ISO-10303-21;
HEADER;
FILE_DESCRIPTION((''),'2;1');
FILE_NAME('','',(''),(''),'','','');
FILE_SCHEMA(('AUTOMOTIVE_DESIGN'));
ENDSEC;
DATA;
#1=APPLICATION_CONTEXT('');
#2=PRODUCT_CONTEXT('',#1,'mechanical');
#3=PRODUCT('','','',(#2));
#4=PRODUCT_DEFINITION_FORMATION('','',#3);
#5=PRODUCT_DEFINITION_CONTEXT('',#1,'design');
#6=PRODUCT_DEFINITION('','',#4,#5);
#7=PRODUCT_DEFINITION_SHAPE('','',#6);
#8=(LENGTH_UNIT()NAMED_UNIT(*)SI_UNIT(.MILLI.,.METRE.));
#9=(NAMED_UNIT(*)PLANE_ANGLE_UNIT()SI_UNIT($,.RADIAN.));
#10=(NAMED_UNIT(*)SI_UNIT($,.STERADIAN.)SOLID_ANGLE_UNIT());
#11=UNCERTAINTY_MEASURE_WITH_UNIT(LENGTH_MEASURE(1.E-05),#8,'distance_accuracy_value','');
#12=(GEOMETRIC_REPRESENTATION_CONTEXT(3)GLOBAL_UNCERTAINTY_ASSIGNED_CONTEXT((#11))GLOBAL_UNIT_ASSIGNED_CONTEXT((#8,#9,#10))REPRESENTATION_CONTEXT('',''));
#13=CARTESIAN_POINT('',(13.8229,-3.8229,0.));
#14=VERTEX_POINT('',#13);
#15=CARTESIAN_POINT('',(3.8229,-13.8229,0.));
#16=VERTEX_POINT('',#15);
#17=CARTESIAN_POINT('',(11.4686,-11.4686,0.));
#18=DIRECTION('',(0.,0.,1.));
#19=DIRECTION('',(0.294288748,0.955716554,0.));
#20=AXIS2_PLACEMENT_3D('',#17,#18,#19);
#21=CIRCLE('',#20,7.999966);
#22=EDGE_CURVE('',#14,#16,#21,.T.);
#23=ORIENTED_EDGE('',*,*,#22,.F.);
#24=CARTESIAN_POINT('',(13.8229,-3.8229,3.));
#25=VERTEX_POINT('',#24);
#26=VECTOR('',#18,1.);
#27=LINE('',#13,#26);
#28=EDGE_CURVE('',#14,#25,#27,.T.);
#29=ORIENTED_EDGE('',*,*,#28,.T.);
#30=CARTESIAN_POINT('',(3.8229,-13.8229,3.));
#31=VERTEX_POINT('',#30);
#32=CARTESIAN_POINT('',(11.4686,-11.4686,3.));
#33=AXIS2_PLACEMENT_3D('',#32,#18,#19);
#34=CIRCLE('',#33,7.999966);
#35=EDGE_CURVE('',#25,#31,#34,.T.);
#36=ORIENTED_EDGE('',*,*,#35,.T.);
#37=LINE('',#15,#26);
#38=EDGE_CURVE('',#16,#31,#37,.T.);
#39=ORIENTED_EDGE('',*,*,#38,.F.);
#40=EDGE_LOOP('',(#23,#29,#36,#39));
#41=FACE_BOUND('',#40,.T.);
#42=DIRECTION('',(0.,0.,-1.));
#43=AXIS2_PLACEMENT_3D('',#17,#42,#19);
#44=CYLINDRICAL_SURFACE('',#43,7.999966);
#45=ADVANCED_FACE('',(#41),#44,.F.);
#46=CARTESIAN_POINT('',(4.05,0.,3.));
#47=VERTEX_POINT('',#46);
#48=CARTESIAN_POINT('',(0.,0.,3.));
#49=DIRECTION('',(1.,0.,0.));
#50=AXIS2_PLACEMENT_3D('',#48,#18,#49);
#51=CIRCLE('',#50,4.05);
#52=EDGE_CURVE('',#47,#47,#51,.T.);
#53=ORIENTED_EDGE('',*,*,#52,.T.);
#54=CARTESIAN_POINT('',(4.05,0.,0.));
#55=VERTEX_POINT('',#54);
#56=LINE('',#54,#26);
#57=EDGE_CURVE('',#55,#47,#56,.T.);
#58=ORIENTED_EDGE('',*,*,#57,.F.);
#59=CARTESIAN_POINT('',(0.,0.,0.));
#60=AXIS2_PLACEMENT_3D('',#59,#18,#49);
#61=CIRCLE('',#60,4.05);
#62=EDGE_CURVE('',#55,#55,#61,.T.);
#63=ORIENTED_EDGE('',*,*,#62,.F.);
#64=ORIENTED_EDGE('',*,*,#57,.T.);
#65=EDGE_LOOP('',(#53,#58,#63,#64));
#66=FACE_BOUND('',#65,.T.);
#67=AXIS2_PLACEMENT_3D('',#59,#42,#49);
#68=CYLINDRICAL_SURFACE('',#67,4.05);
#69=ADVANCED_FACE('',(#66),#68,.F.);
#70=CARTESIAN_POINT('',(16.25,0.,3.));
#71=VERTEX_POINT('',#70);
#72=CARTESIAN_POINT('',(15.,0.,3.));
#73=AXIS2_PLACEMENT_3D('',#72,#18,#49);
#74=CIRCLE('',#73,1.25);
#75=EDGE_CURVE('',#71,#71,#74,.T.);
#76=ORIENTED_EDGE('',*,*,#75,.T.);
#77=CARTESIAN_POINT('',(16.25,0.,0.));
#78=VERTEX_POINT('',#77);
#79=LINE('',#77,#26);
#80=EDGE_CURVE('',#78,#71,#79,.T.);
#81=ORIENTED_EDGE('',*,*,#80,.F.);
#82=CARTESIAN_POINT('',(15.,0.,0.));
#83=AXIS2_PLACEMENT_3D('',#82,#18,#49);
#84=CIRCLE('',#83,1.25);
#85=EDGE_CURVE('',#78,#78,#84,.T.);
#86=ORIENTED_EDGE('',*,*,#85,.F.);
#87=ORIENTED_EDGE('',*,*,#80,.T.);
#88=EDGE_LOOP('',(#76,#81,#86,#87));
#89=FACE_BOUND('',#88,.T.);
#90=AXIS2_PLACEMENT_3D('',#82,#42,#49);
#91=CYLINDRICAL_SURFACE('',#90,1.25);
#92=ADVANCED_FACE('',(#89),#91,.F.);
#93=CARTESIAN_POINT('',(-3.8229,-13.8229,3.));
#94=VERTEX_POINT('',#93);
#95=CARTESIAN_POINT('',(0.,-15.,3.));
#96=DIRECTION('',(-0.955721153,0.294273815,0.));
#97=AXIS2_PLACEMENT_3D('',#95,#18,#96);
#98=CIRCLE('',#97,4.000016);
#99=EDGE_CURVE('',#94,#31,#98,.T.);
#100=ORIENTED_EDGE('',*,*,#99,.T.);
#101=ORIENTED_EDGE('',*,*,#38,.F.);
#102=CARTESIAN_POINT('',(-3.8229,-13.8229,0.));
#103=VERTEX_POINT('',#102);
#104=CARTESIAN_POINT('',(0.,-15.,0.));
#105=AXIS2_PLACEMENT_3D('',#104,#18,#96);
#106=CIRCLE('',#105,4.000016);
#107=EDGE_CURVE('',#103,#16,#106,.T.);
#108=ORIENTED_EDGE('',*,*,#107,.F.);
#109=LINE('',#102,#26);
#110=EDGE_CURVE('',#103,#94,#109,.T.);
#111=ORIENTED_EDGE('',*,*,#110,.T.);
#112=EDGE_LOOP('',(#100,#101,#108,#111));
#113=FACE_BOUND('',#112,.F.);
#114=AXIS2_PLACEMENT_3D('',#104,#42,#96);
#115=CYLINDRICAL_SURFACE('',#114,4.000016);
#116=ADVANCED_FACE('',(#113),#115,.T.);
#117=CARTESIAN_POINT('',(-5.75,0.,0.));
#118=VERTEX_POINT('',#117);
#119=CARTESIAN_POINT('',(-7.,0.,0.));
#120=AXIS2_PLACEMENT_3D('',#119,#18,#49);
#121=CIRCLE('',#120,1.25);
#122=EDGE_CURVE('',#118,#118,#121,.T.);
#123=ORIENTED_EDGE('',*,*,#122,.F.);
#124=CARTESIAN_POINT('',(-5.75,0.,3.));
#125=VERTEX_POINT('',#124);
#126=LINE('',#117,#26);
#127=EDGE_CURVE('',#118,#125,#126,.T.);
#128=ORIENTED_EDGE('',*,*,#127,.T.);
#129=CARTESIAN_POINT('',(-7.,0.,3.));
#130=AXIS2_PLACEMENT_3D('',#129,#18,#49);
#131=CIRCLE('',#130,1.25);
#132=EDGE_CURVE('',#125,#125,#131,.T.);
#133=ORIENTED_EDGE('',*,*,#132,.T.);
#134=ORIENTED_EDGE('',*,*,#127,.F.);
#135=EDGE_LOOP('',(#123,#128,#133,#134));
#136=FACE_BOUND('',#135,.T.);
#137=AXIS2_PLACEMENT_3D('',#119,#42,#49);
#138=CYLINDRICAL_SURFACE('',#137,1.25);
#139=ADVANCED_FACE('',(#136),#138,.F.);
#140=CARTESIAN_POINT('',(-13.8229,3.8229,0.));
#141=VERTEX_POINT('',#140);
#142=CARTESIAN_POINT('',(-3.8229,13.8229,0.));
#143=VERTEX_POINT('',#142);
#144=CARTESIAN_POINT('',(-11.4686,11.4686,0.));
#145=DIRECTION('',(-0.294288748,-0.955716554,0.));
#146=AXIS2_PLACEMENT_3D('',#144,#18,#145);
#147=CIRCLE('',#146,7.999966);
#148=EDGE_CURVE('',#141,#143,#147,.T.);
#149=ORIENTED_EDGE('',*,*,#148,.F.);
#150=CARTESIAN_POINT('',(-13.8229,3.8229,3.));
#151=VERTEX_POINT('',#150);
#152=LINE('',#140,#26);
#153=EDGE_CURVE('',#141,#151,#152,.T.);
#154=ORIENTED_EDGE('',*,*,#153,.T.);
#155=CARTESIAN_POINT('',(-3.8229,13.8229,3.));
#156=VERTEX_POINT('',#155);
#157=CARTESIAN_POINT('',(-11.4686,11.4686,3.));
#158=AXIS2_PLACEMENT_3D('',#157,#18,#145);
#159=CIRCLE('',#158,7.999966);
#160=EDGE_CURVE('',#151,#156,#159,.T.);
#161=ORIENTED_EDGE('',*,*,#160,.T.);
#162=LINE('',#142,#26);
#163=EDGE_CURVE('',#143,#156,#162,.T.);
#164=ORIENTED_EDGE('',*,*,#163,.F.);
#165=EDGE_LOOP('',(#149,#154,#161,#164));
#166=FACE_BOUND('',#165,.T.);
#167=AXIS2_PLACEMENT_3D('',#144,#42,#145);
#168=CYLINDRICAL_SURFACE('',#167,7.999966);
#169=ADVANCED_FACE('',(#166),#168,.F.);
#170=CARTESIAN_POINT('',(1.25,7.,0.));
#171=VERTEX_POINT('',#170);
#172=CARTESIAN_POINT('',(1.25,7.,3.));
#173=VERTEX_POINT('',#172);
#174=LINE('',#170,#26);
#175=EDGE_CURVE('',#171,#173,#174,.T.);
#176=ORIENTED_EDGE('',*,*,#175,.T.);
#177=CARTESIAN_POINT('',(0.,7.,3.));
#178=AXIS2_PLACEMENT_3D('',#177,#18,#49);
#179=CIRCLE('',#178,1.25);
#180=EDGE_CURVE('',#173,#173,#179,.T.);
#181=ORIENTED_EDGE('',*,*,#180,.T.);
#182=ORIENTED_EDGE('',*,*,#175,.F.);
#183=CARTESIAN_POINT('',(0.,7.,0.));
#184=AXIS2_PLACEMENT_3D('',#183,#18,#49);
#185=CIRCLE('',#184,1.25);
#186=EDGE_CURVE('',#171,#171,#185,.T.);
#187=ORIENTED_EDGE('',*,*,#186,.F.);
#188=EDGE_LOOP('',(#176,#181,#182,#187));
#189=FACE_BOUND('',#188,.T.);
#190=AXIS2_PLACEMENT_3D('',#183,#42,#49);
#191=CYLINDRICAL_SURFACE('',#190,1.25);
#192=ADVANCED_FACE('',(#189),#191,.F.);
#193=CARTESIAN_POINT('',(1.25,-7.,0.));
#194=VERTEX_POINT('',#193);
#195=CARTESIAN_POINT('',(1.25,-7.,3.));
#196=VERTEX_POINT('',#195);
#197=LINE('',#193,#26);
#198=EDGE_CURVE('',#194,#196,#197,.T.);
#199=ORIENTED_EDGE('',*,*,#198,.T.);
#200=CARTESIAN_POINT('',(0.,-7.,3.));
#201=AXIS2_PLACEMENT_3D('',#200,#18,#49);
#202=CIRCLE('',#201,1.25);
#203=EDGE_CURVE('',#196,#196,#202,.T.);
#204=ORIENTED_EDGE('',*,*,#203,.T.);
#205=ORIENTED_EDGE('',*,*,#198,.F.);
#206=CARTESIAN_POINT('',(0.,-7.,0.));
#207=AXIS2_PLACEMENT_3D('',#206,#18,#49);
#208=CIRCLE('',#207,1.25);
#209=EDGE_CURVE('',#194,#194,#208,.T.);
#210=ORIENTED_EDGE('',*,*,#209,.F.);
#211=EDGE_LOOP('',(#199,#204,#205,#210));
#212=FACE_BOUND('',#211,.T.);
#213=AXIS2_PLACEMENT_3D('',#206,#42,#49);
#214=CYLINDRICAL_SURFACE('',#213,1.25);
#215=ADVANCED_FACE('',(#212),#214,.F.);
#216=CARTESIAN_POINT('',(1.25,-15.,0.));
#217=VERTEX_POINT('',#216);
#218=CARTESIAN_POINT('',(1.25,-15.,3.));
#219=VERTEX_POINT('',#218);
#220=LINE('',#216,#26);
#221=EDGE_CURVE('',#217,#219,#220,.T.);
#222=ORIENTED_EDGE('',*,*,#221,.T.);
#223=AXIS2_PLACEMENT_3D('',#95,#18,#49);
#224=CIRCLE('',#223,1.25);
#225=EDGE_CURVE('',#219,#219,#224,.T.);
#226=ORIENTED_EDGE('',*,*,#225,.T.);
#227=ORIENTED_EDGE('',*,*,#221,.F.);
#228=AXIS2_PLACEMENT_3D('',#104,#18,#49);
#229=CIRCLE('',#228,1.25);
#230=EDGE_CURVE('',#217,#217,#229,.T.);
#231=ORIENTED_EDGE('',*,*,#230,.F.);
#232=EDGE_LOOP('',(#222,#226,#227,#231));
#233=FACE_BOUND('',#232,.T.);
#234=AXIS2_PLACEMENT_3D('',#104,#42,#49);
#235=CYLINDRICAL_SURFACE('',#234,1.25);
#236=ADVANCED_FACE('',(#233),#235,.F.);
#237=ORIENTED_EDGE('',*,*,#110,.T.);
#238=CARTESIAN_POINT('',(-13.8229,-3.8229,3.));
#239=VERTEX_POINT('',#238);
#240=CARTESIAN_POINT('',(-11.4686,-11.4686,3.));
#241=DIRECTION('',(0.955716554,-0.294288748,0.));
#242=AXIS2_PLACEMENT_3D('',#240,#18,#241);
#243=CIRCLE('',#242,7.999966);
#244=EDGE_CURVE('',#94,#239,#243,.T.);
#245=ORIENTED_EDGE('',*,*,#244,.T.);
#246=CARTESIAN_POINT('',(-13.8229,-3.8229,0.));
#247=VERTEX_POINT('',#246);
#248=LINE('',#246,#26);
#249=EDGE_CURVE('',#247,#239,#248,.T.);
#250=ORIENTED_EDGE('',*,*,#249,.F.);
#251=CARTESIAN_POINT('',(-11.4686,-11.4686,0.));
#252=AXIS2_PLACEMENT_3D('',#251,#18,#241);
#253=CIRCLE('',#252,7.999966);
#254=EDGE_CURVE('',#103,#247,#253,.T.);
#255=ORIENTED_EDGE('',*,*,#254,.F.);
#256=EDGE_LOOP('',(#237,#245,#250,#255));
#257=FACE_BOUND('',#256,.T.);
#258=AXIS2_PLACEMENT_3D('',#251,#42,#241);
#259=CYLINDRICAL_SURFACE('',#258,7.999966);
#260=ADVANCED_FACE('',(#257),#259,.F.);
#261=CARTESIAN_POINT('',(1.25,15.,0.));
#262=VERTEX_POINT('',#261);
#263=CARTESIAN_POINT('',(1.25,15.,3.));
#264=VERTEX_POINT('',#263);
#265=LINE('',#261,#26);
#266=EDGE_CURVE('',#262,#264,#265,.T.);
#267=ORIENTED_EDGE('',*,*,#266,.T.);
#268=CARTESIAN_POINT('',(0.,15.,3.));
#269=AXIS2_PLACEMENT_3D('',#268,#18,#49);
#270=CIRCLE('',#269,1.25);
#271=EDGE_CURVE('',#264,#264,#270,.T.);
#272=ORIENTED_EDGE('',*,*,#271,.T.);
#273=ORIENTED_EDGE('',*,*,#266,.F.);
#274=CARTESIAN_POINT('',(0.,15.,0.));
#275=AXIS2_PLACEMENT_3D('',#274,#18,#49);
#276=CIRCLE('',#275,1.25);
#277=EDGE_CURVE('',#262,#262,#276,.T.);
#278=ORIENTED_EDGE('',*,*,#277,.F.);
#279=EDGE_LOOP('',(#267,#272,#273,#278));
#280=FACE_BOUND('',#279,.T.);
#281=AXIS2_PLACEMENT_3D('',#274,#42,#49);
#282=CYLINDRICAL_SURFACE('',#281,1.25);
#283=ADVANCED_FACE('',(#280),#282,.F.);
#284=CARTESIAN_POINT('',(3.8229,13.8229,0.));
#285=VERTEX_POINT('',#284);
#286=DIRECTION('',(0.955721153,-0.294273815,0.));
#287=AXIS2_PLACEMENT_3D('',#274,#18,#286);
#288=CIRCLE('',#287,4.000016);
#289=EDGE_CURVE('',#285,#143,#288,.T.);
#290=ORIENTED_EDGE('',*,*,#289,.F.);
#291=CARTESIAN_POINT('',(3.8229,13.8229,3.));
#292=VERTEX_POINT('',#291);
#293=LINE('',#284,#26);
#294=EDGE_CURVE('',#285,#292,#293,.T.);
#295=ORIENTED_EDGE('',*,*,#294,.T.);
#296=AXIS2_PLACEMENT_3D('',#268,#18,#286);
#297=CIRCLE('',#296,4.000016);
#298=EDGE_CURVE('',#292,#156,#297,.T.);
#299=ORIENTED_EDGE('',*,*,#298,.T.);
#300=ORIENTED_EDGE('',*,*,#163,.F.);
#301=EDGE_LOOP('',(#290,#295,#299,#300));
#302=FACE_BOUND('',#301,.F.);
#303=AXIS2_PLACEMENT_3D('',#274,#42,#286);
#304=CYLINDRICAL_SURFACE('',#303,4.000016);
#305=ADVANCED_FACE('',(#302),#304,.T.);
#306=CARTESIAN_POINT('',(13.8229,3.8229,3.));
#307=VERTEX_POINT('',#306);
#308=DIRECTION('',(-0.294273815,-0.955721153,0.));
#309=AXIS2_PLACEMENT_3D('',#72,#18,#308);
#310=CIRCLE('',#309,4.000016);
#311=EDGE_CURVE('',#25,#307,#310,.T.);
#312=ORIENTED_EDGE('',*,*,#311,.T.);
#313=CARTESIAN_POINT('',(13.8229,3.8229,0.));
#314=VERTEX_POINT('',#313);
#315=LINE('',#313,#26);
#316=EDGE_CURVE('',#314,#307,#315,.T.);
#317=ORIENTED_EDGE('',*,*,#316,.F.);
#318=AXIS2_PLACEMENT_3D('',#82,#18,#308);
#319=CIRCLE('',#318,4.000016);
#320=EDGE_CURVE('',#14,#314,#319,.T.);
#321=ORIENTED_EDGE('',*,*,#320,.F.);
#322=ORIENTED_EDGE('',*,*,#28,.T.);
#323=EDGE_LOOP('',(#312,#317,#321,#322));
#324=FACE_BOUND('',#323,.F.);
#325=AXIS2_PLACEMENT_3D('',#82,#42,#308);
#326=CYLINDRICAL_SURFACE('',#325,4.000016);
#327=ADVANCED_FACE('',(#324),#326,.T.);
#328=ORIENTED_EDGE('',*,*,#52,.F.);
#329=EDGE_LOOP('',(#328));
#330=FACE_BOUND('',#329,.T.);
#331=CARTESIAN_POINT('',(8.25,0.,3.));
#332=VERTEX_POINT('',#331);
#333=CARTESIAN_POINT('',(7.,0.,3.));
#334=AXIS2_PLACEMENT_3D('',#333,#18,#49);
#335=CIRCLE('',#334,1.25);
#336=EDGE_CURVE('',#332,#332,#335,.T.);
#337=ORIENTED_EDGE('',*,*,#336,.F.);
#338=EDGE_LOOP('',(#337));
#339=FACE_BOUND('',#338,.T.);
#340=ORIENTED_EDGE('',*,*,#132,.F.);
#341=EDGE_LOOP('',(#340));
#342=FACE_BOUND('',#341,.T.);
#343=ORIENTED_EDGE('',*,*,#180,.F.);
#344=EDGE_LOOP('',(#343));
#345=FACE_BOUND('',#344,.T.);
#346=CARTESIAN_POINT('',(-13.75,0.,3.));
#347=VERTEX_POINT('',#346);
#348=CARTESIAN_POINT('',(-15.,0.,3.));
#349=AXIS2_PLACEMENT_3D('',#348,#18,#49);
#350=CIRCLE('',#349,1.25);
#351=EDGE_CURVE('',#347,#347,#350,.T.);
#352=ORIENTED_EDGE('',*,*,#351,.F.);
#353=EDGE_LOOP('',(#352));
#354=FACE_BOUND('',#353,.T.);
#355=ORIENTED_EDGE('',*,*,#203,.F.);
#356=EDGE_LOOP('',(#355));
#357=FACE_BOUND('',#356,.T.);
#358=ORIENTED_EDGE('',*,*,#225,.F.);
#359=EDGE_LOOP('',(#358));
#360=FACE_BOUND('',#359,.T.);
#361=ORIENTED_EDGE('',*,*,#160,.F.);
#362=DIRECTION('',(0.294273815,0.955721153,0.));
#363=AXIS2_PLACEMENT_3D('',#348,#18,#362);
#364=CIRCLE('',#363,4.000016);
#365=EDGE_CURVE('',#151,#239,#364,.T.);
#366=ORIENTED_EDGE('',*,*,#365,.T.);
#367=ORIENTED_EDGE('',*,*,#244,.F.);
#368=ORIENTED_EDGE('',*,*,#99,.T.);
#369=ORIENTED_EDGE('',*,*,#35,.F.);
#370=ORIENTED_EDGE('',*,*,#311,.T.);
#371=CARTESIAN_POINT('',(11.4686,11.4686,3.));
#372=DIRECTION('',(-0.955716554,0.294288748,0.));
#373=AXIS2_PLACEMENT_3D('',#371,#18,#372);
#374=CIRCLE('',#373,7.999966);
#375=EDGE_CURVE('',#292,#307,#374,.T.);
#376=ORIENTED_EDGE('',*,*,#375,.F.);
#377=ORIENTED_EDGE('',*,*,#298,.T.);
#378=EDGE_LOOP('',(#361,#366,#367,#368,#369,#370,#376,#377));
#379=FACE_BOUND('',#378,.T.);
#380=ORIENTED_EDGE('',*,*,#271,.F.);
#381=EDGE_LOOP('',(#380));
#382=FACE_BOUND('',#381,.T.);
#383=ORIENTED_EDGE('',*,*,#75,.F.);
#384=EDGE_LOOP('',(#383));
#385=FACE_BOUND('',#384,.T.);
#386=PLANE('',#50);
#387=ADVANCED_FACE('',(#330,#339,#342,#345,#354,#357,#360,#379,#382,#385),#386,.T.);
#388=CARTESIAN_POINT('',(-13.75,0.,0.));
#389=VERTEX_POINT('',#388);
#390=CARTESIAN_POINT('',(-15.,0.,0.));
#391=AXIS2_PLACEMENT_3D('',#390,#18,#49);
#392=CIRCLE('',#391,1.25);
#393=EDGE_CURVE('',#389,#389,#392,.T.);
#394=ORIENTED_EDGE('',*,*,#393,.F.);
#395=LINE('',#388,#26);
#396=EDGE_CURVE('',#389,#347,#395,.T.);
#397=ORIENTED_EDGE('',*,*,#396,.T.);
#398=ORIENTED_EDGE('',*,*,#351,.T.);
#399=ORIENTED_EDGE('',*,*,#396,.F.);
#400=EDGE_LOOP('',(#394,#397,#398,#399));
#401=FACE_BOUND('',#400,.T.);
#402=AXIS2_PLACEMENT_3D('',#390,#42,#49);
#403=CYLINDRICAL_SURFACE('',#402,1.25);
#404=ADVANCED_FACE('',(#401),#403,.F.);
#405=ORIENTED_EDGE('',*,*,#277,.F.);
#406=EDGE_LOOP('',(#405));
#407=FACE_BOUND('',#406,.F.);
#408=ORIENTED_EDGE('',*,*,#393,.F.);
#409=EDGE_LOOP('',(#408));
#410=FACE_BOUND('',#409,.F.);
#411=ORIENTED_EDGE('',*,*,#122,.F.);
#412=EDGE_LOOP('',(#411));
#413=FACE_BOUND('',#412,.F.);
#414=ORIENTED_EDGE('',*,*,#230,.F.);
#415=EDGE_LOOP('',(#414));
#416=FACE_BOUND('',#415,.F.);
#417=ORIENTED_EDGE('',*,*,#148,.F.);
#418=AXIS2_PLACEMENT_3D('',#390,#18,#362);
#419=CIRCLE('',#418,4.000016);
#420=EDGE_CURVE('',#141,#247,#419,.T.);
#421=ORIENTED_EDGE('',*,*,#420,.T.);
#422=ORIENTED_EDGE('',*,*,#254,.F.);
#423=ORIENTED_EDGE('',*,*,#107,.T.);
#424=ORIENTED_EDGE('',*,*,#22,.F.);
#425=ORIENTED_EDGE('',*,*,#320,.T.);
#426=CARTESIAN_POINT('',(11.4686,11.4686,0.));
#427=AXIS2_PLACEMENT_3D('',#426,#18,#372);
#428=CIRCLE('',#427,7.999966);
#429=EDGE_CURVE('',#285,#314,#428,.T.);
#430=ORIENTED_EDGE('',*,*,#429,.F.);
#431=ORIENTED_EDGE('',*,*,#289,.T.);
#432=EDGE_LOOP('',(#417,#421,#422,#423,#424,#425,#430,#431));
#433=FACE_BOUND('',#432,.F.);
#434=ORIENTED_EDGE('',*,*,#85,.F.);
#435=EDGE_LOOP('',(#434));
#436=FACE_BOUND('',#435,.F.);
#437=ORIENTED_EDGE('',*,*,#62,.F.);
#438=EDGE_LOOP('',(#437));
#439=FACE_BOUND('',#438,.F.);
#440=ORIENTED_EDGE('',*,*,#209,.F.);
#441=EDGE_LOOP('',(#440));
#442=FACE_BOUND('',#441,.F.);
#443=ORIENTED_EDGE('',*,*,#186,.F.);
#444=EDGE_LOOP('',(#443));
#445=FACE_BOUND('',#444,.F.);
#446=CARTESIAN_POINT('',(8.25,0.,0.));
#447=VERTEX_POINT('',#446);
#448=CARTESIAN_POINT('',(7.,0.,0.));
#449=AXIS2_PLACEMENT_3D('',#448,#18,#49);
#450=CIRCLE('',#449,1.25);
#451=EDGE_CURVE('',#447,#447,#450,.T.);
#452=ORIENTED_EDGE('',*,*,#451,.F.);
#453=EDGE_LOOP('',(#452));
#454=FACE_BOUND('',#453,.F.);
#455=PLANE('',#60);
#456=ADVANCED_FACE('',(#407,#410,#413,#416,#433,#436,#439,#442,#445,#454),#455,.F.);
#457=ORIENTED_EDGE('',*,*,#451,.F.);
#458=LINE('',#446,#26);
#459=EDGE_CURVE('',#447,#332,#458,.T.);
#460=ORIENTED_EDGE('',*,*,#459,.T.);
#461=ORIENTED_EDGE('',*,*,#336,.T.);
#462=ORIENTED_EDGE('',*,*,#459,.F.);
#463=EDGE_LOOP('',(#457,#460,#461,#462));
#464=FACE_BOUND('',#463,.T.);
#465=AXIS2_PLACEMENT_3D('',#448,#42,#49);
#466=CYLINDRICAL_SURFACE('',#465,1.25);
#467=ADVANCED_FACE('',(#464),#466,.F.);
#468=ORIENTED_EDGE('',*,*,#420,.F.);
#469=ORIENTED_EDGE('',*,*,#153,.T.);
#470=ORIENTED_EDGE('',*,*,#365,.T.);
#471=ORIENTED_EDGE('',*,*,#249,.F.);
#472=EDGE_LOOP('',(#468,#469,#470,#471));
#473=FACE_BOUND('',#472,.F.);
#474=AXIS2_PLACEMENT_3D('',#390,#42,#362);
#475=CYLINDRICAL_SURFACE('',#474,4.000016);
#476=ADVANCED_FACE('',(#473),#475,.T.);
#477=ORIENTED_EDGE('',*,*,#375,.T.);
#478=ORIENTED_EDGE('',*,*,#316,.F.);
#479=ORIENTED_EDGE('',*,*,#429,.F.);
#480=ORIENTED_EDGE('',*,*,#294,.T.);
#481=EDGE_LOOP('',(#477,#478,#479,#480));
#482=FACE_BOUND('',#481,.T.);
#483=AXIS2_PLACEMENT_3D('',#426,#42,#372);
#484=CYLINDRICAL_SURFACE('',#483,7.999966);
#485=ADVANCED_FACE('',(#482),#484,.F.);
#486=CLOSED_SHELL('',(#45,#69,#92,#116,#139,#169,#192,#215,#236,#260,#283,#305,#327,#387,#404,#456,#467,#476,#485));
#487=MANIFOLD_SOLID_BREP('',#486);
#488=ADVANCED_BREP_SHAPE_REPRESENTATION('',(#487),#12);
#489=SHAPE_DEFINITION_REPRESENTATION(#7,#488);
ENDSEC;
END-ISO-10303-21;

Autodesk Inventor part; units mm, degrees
ref_plane "YZ Plane" through (0, 0, 0) normal (1, 0, 0) x (0, 1, 0)
ref_plane "XZ Plane" through (0, 0, 0) normal (0, 1, 0) x (-1, 0, 0)
ref_plane "XY Plane" through (0, 0, 0) normal (0, 0, 1) x (1, 0, 0)
sketch "スケッチ1" plane through (0, 0, 0) normal (0, 0, 1) x (1, 0, 0)
  circle A0 centre (0, 0) radius 4.05
  circle A1 centre (0, 0) radius 15 construction
  circle A2 centre (0, 0) radius 7 construction
  circle A3 centre (0, 15) radius 1.25
  circle A4 centre (0, 7) radius 1.25
  circle A5 centre (-15, 0) radius 1.25
  circle A6 centre (-7, 0) radius 1.25
  circle A7 centre (0, -15) radius 1.25
  circle A8 centre (0, -7) radius 1.25
  circle A9 centre (15, 0) radius 1.25
  circle A10 centre (7, 0) radius 1.25
  arc A11 (3.8229, 13.8229) -> (-3.8229, 13.8229) centre (0, 15) ccw
  arc A12 (-13.8229, 3.8229) -> (-13.8229, -3.8229) centre (-15, 0) ccw
  arc A13 (-3.8229, -13.8229) -> (3.8229, -13.8229) centre (0, -15) ccw
  arc A14 (13.8229, -3.8229) -> (13.8229, 3.8229) centre (15, 0) ccw
  arc A15 (-13.8229, 3.8229) -> (-3.8229, 13.8229) centre (-11.4686, 11.4686) ccw
  arc A16 (3.8229, 13.8229) -> (13.8229, 3.8229) centre (11.4686, 11.4686) ccw
  arc A17 (-3.8229, -13.8229) -> (-13.8229, -3.8229) centre (-11.4686, -11.4686) ccw
  arc A18 (13.8229, -3.8229) -> (3.8229, -13.8229) centre (11.4686, -11.4686) ccw
  dimension "d2" = 14
  dimension "d0" = 8.1
  dimension "d1" = 30
  dimension "d3" = 2.5
  dimension "d4" = 2.5
  dimension "d7" = 360
  dimension "d9" = 4
  dimension "d10" = 4
  dimension "d11" = 4
  dimension "d12" = 4
  dimension "d13" = 8
  dimension "d14" = 8
  dimension "d15" = 8
  dimension "d16" = 8
extrude "押し出し1" add sketch "スケッチ1" along normal blind 3
properties part number "関節1_プーリ接続" material "アルミニウム 6061"
